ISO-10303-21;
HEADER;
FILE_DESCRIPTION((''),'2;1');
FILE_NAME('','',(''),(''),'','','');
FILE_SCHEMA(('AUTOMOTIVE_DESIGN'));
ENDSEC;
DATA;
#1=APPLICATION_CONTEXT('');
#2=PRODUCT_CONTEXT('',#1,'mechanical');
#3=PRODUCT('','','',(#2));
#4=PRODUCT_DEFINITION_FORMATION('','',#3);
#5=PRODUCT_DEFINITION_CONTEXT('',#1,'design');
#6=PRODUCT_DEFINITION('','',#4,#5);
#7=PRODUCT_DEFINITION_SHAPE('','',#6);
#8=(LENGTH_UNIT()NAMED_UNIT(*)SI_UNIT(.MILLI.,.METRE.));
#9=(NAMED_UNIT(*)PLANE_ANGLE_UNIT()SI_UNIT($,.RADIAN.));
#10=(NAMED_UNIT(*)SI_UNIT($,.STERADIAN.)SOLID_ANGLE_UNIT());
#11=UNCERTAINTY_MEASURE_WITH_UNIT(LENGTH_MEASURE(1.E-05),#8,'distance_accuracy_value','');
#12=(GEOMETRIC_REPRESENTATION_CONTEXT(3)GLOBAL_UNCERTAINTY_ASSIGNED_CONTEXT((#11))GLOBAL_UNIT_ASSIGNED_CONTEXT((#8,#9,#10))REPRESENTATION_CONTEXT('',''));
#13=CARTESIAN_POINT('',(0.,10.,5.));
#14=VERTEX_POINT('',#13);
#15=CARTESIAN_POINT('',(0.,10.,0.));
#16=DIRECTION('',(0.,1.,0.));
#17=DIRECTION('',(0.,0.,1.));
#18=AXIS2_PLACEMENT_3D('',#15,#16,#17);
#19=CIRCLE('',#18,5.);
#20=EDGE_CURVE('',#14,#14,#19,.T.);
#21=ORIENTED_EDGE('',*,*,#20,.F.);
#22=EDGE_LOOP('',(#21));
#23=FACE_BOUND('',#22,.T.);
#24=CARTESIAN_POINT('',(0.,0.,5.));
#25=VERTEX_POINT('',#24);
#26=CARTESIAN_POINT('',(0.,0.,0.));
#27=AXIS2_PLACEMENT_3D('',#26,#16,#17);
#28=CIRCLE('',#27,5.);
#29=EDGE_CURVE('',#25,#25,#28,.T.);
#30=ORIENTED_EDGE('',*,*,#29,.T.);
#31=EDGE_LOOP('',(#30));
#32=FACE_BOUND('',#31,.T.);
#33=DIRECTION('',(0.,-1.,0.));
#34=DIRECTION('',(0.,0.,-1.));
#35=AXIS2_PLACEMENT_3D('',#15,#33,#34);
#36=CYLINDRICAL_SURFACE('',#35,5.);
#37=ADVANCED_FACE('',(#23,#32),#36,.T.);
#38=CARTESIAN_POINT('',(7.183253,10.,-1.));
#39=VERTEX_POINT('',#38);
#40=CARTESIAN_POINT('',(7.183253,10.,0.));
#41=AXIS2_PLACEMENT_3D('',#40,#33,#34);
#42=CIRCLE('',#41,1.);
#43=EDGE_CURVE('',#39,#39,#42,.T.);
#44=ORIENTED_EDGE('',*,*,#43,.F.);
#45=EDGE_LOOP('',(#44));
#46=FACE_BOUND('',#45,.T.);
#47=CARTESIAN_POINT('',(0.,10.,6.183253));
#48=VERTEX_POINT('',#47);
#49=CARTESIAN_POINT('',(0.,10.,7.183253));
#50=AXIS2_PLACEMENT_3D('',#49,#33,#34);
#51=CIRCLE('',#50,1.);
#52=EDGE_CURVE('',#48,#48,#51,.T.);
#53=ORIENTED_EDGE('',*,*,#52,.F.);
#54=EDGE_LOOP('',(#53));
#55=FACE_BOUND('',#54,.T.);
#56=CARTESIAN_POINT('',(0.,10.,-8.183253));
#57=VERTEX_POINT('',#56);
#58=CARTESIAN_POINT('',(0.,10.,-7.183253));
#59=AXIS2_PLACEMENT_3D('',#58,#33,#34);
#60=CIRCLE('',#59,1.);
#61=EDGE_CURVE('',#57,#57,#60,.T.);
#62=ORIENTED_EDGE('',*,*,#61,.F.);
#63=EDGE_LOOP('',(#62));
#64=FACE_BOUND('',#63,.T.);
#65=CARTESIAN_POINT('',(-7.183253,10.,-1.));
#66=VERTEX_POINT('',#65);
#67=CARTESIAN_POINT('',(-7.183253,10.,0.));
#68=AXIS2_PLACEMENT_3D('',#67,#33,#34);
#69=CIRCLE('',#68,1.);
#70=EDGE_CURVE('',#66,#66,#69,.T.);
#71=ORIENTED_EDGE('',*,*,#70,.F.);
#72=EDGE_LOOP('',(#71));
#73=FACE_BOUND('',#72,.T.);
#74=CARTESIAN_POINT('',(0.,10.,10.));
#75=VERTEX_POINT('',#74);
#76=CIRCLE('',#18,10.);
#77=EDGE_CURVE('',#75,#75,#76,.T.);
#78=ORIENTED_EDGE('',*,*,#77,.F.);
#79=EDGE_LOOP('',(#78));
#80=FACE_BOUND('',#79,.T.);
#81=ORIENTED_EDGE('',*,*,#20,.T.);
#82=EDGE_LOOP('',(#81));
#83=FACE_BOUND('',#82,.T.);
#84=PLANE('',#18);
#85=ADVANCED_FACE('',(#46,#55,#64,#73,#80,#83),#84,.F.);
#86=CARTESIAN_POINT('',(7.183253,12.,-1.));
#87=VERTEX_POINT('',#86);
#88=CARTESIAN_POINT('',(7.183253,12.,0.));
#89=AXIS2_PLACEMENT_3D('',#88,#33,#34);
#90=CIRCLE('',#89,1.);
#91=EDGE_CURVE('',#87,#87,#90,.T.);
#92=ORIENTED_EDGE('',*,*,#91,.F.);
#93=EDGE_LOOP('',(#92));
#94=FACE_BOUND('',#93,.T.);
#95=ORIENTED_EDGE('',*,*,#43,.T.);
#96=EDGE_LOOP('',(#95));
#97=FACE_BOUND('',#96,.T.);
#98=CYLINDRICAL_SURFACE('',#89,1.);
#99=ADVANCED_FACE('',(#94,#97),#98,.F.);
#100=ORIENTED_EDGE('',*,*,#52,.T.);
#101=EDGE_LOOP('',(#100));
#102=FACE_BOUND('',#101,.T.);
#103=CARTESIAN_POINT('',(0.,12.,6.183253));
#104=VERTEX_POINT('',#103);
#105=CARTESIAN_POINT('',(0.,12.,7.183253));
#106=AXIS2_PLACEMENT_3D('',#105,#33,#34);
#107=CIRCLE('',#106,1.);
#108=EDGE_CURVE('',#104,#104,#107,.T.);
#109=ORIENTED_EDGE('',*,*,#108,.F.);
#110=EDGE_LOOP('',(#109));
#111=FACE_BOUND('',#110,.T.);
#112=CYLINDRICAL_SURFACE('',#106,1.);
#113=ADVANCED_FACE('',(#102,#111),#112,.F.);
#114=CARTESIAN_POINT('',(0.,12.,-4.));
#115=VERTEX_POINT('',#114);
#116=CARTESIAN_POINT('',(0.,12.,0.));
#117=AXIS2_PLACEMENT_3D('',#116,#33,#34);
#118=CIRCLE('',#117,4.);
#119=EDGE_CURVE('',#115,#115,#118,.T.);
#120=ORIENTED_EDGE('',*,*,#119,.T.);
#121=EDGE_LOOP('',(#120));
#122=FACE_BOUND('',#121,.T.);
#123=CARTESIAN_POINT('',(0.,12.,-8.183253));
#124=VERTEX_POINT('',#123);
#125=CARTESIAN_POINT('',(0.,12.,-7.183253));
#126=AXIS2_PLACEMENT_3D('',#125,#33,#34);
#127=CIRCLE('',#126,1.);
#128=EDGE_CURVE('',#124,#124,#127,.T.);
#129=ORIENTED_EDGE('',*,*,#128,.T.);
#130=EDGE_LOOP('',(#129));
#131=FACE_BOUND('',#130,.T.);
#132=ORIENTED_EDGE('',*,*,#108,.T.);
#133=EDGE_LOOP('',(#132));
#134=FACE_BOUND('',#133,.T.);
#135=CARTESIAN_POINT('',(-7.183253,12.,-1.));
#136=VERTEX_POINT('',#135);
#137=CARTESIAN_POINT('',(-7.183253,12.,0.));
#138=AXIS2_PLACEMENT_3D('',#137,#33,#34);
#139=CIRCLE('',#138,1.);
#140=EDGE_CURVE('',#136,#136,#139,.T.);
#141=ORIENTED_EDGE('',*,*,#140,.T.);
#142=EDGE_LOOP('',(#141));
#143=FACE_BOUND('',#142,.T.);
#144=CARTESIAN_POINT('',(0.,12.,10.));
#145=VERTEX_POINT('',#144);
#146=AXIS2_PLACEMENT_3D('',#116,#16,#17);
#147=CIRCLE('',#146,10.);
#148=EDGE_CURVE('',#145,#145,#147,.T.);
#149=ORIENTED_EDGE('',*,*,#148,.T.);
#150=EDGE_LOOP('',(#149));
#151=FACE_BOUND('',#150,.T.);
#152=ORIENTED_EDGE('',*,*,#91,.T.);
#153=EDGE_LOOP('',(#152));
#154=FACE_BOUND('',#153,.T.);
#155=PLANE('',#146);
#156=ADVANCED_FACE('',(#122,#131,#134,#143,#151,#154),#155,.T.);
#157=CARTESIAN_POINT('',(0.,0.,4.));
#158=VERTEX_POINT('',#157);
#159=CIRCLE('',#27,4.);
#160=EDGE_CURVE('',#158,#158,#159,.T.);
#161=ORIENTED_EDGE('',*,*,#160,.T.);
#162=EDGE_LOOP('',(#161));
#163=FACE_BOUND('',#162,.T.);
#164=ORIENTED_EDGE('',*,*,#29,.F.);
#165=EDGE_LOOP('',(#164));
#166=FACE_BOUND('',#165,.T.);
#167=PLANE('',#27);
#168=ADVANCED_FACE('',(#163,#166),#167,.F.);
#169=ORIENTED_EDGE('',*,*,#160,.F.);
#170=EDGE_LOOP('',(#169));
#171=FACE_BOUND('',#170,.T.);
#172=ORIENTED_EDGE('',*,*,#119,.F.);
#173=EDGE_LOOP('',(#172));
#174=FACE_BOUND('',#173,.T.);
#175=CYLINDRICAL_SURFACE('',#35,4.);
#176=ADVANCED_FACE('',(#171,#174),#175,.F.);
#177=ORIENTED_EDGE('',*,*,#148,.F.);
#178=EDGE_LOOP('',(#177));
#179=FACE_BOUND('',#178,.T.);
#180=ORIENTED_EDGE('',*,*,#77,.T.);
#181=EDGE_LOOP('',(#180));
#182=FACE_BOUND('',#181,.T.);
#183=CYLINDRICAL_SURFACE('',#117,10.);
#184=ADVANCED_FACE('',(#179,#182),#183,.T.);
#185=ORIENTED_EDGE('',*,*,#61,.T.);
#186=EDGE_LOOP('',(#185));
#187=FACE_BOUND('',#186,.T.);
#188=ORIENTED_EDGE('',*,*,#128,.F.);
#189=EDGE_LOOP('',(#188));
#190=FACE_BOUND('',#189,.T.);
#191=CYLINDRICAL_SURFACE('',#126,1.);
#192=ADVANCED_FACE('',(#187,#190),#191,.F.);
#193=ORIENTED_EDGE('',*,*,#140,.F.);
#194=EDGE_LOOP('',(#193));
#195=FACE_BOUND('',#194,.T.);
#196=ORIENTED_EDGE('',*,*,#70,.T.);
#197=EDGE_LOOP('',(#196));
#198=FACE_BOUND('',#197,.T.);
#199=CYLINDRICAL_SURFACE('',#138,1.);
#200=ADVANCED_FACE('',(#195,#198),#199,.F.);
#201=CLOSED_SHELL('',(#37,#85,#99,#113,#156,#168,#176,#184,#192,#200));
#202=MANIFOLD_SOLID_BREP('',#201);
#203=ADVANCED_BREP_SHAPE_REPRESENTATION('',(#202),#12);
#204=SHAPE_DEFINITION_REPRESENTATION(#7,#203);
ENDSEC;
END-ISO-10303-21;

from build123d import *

# Parameters (mm, degrees)
SKETCH1_R           = 5
SKETCH1_R_2         = 4
BOSS_EXTRUDE1_DEPTH = 10
SKETCH2_R           = 10
BOSS_EXTRUDE2_DEPTH = 2
SKETCH3_R           = 1
CUT_EXTRUDE1_DEPTH  = 2
SKETCH4_R           = 4
CUT_EXTRUDE2_DEPTH  = 2


with BuildPart() as part:
    # Sketch1 → Boss-Extrude1 (new body)
    with BuildSketch(Plane(origin=(0, 0, 0), x_dir=(1, 0, 0), z_dir=(0, 1, 0))):
        with Locations(Location((0, 0, 0), (0, 0, 270))):
            Circle(SKETCH1_R)
        with Locations(Location((0, 0, 0), (0, 0, 270))):
            Circle(SKETCH1_R_2, mode=Mode.SUBTRACT)
    extrude(amount=BOSS_EXTRUDE1_DEPTH)

    # Sketch2 → Boss-Extrude2 (add)
    with BuildSketch(Plane(origin=(0, 10, 0), x_dir=(1, 0, 0), z_dir=(0, 1, 0))):
        with Locations(Location((0, 0, 0), (0, 0, 270))):
            Circle(SKETCH2_R)
    extrude(amount=BOSS_EXTRUDE2_DEPTH)

    # Sketch3 → Cut-Extrude1 (cut)
    with BuildSketch(Plane(origin=(0, 10, 0), x_dir=(-1, 0, 0), z_dir=(0, -1, 0))):
        with Locations(Location((-7.183252609, 0, 0), (0, 0, 90))):
            Circle(SKETCH3_R)
        with Locations(Location((0, 7.183252609, 0), (0, 0, 90))):
            Circle(SKETCH3_R)
        with Locations(Location((7.183252609, 0, 0), (0, 0, 90))):
            Circle(SKETCH3_R)
        with Locations(Location((0, -7.183252609, 0), (0, 0, 90))):
            Circle(SKETCH3_R)
    extrude(amount=-CUT_EXTRUDE1_DEPTH, mode=Mode.SUBTRACT)

    # Sketch4 → Cut-Extrude2 (cut)
    with BuildSketch(Plane(origin=(0, 10, 0), x_dir=(-1, 0, 0), z_dir=(0, -1, 0))):
        with Locations(Location((0, 0, 0), (0, 0, 90))):
            Circle(SKETCH4_R)
    extrude(amount=-CUT_EXTRUDE2_DEPTH, mode=Mode.SUBTRACT)


solid = part.part
